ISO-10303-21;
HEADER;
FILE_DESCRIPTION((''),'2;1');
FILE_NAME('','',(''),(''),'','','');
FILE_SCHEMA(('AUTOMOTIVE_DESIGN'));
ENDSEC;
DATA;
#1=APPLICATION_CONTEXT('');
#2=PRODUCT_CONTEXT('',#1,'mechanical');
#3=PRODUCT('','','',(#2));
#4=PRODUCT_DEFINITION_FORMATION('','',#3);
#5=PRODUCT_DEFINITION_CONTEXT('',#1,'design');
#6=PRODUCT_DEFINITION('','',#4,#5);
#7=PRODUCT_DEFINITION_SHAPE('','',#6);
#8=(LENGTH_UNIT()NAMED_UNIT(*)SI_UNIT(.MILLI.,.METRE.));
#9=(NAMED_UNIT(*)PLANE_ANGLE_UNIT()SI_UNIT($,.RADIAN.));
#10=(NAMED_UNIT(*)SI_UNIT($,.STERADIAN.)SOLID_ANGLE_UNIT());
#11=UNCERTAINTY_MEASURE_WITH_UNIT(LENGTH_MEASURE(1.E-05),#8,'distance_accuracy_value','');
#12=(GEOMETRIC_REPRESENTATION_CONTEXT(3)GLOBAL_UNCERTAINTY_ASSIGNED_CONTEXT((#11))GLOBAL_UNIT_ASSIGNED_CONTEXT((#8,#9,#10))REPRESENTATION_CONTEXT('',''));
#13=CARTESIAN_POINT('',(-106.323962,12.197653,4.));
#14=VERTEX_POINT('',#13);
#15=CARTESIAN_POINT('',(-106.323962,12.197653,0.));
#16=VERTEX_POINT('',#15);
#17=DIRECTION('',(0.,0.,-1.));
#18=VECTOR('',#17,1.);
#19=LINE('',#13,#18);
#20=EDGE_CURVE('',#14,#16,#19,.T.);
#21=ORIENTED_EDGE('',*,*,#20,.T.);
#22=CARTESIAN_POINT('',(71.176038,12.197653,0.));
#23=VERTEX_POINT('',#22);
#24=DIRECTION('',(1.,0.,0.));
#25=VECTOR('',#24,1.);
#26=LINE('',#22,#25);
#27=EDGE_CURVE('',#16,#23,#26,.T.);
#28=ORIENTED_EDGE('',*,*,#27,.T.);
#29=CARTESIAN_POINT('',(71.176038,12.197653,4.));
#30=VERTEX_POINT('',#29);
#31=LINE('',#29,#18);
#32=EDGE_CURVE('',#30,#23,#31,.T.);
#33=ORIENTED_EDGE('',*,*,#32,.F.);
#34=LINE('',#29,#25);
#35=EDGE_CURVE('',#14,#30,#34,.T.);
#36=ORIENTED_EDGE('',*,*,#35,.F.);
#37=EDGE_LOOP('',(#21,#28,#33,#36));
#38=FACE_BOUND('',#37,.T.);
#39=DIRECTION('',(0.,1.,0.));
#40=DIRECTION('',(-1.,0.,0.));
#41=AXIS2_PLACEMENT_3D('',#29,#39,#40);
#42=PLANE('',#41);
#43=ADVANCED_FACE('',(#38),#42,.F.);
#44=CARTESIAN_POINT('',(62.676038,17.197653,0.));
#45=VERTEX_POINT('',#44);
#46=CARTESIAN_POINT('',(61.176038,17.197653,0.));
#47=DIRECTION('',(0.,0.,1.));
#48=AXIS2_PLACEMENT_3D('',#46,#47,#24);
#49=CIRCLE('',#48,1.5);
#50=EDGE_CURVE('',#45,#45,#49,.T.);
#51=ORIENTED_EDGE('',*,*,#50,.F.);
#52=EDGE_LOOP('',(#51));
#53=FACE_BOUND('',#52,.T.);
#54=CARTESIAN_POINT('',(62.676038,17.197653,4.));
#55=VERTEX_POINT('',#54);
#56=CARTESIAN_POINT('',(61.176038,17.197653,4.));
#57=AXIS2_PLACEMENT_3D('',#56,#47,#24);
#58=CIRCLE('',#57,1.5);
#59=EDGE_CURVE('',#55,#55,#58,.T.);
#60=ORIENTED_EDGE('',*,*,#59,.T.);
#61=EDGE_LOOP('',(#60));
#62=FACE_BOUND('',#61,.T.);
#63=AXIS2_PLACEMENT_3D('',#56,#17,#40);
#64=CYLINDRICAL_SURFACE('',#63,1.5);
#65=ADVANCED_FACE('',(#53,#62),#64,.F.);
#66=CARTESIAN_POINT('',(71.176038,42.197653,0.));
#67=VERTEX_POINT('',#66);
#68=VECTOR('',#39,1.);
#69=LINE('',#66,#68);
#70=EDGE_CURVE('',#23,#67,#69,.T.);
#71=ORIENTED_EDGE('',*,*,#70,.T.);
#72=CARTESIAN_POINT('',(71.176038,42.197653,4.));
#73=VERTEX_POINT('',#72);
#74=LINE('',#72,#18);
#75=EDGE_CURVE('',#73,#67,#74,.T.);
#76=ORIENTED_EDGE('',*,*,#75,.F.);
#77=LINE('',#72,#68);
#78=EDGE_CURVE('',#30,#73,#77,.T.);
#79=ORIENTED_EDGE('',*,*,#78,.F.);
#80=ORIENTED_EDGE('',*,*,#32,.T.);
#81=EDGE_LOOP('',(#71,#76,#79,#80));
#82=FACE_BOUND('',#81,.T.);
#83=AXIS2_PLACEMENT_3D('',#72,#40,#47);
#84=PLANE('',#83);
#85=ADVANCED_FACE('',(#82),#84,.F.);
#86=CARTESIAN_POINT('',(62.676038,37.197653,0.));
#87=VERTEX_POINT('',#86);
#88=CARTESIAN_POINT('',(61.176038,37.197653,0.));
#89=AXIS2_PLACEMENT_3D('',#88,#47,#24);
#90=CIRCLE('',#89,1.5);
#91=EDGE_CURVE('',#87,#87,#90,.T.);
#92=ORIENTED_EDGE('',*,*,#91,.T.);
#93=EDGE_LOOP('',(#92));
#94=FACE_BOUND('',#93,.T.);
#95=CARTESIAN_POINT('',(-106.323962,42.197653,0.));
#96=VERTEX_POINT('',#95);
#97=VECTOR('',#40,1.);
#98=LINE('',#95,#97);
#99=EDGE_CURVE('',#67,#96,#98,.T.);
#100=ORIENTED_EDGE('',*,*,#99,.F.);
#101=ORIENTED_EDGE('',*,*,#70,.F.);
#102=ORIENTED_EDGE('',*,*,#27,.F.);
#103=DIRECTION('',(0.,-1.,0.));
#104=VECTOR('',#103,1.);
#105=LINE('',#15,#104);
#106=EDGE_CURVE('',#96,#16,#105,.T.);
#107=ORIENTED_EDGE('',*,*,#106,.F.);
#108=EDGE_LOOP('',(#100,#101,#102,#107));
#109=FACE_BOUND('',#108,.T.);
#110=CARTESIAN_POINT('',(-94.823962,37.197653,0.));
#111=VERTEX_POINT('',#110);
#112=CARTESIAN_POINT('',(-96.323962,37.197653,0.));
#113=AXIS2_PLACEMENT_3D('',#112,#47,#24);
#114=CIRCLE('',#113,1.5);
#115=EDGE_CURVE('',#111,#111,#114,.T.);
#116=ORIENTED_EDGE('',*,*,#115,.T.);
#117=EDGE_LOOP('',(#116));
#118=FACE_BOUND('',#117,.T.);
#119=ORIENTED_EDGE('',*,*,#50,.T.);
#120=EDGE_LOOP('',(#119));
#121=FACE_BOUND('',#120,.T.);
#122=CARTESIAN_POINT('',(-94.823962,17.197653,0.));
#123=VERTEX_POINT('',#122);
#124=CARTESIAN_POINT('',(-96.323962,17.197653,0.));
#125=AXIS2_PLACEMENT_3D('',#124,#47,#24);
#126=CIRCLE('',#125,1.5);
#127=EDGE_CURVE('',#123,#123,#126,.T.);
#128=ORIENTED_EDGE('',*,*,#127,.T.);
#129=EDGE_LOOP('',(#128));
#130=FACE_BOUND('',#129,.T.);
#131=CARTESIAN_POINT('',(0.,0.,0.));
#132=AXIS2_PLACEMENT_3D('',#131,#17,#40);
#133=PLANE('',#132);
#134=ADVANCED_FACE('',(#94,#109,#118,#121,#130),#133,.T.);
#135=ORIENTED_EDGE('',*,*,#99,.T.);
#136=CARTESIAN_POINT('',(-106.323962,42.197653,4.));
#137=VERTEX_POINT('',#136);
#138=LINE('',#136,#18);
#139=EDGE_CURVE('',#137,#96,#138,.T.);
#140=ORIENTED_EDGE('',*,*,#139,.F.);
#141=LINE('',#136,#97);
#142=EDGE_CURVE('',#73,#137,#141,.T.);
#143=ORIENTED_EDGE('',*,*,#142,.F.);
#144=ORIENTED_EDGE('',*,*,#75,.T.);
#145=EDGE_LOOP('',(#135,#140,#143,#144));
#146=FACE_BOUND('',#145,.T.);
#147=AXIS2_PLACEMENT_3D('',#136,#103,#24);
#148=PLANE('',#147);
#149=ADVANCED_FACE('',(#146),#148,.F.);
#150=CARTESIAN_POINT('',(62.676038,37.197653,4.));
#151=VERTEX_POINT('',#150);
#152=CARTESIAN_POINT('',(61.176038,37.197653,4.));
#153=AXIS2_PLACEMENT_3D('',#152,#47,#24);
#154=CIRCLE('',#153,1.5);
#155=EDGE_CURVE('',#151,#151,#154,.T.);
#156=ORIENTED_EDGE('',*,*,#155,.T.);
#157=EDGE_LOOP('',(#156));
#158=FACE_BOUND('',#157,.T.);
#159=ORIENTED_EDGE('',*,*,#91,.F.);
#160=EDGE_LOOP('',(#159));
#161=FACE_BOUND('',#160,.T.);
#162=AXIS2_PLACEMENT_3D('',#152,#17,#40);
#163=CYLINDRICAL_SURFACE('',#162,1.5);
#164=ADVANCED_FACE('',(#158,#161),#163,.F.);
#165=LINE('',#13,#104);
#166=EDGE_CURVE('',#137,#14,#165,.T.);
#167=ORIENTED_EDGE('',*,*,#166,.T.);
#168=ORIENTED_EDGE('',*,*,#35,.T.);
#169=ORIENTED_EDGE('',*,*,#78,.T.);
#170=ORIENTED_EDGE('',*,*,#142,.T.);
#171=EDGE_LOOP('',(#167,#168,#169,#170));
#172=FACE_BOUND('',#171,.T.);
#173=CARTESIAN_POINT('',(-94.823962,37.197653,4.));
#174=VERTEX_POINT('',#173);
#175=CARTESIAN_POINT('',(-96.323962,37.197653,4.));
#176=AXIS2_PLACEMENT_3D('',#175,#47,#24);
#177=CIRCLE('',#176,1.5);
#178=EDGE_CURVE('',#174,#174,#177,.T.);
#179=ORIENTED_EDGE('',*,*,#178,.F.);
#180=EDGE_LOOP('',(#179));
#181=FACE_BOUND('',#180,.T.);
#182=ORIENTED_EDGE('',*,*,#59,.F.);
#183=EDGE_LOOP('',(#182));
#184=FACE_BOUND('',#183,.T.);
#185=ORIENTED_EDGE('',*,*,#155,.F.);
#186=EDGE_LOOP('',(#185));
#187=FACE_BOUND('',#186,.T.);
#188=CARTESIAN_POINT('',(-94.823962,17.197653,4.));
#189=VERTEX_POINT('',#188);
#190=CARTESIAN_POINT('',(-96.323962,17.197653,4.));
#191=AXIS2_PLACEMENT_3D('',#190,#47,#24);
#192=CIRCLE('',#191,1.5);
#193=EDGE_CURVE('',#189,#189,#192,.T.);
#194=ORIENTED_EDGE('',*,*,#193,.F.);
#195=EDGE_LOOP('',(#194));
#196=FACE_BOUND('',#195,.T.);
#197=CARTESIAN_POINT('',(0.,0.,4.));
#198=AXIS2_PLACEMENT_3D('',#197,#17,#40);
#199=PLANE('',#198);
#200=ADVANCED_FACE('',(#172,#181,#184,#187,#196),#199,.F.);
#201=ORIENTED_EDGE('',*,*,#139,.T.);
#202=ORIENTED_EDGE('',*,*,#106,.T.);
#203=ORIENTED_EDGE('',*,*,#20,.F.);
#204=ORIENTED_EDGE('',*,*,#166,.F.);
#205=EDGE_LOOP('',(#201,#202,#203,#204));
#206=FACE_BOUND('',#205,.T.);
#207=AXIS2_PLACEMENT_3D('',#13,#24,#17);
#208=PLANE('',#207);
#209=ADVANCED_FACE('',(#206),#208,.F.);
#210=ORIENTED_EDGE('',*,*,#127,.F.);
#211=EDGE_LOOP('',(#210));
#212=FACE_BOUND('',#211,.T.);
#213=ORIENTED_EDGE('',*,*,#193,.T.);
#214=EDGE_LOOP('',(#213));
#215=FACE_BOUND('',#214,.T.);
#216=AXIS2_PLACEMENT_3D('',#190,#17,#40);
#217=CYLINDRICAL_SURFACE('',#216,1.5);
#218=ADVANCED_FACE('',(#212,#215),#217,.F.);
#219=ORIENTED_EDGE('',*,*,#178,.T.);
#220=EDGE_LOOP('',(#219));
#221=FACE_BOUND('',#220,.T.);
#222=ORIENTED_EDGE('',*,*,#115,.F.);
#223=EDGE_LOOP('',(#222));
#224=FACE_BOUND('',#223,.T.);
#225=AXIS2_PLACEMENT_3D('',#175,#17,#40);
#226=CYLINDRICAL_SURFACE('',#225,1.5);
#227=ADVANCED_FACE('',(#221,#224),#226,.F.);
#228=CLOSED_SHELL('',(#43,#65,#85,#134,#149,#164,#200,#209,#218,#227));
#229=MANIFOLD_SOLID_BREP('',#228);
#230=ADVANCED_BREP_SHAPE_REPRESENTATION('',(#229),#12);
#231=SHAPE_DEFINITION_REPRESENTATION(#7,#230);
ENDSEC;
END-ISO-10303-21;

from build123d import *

# Parameters (mm, degrees)
SKETCH_1_W      = 177.5
SKETCH_1_H      = 30
SKETCH_1_R      = 1.5
EXTRUDE_1_DEPTH = 4


with BuildPart() as part:
    # 草图1 → 凸台-拉伸1 (new body)
    with BuildSketch(Plane.XY):
        with Locations((-17.573961564, 27.197653301)):
            Rectangle(SKETCH_1_W, SKETCH_1_H)
        with Locations((-96.323961564, 37.197653301)):
            Circle(SKETCH_1_R, mode=Mode.SUBTRACT)
        with Locations((-96.323961564, 17.197653301)):
            Circle(SKETCH_1_R, mode=Mode.SUBTRACT)
        with Locations((61.176038436, 37.197653301)):
            Circle(SKETCH_1_R, mode=Mode.SUBTRACT)
        with Locations((61.176038436, 17.197653301)):
            Circle(SKETCH_1_R, mode=Mode.SUBTRACT)
    extrude(amount=EXTRUDE_1_DEPTH)


solid = part.part
